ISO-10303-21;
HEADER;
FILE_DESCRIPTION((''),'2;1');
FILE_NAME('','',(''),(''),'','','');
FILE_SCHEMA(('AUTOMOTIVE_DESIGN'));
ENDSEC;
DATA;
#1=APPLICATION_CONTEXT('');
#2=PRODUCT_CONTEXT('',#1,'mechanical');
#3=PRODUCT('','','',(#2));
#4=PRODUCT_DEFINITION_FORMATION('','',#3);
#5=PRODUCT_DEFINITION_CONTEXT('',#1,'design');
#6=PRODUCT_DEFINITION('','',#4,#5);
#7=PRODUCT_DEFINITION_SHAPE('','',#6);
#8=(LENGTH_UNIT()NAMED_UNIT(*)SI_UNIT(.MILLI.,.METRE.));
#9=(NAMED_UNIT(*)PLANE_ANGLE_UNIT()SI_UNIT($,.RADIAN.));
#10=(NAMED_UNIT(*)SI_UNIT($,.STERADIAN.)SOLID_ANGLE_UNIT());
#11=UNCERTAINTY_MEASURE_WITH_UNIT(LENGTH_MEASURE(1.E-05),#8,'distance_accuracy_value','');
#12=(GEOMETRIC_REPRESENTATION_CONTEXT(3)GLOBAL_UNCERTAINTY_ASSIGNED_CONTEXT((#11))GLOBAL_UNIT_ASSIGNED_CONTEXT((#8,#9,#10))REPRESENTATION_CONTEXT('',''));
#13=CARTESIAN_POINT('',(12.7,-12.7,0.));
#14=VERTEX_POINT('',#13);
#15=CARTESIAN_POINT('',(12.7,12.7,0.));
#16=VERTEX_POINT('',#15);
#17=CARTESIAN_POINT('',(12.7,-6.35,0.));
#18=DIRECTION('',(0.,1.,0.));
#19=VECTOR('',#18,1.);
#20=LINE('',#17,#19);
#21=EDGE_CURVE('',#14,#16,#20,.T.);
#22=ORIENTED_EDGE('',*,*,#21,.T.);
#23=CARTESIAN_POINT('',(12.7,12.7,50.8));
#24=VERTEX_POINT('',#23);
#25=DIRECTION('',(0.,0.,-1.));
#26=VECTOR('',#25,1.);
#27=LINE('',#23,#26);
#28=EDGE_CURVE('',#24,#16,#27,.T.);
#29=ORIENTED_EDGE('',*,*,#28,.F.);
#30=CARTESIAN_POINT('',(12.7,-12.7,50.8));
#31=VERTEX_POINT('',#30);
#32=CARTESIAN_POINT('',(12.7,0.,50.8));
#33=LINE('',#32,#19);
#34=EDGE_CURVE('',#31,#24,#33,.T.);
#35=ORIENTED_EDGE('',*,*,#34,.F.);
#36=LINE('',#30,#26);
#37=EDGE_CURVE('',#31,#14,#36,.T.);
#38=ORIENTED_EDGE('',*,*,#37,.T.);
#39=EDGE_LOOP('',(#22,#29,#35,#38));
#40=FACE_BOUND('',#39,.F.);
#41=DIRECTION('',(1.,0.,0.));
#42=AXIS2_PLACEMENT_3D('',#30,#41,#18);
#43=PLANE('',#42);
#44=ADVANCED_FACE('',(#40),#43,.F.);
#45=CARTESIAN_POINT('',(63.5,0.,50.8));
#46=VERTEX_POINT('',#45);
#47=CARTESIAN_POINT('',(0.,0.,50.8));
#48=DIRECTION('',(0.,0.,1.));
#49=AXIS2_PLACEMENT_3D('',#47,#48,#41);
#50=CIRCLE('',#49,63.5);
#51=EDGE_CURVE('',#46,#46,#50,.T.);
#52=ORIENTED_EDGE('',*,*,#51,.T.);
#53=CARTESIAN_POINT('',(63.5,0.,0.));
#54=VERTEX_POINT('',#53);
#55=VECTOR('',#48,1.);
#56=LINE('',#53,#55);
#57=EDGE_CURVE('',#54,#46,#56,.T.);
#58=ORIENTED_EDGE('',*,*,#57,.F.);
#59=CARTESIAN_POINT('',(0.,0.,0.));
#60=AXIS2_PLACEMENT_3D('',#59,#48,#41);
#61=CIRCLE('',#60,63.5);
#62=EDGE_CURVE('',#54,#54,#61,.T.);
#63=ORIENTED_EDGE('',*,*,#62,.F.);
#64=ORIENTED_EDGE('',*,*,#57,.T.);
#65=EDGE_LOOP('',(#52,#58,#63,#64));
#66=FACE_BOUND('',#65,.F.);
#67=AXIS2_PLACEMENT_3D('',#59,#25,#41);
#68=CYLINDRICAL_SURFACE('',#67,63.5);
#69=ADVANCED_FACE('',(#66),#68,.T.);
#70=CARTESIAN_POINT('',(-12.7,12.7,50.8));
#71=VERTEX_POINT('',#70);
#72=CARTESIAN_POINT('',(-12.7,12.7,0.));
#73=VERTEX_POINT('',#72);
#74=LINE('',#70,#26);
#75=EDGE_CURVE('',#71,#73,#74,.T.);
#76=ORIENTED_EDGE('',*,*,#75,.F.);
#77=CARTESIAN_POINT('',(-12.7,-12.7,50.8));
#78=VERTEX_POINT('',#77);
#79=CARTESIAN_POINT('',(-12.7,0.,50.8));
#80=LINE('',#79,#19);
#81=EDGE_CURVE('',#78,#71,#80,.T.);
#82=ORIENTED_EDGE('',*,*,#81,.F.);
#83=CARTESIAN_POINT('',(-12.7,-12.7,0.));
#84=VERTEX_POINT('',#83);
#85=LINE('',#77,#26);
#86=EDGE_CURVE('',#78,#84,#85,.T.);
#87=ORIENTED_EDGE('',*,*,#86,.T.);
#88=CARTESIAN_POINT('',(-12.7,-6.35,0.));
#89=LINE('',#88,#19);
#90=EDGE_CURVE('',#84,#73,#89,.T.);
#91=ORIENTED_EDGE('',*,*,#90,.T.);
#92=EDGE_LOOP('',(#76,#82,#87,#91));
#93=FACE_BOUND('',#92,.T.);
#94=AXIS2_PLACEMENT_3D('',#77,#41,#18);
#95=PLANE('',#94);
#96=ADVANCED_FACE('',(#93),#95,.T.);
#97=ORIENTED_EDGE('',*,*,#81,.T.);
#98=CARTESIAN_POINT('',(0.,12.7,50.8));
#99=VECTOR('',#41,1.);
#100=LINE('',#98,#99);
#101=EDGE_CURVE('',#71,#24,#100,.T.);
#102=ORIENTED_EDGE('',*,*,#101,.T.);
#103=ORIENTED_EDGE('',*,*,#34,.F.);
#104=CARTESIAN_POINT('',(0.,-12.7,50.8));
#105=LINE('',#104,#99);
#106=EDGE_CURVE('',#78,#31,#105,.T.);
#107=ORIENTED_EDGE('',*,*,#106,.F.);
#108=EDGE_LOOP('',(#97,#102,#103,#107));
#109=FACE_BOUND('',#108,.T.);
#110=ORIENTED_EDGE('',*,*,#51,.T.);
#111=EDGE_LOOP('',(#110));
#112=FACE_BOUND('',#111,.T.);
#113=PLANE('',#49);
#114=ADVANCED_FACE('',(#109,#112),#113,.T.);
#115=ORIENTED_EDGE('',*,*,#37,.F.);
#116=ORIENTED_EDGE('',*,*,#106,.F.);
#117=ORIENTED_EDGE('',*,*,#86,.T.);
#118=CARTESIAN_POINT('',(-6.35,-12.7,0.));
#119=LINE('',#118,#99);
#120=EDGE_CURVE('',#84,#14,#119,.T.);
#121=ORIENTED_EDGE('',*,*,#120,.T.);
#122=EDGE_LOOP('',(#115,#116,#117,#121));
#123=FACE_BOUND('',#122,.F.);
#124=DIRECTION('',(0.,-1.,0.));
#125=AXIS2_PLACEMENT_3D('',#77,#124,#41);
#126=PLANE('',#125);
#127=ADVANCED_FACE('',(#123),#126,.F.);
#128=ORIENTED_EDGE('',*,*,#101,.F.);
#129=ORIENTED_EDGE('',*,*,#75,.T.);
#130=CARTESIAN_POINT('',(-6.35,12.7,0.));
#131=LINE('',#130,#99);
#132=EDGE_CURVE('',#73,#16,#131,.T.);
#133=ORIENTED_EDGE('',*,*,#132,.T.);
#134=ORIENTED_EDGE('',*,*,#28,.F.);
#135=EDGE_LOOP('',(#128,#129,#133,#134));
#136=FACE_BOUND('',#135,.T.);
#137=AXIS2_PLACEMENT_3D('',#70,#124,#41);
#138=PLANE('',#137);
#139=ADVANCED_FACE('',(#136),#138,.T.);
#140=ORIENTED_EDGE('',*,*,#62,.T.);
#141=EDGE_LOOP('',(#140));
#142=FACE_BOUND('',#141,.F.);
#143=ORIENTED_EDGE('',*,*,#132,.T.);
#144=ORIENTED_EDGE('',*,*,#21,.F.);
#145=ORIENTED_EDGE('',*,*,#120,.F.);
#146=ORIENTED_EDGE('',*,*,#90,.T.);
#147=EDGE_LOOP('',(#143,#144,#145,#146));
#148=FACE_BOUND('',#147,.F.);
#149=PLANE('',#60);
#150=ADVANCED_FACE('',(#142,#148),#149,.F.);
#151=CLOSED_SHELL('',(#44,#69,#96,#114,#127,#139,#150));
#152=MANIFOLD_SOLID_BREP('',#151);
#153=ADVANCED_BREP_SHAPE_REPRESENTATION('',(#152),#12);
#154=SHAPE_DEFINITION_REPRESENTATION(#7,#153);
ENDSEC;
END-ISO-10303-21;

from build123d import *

# Parameters (mm, degrees)
F0_R     = 63.5
F1_DEPTH = 50.8
F2_W     = 25.4
F2_H     = 25.4
F3_DEPTH = 50.801


with BuildPart() as f1:
    # F0 (on Top) → F1 (new body)
    with BuildSketch(Plane.XY):
        Circle(F0_R)
    extrude(amount=F1_DEPTH)

    # F2 (on face) → F3 (cut, through all)
    with BuildSketch(Plane.XY.offset(50.8)):
        Rectangle(F2_W, F2_H)
    extrude(amount=-F3_DEPTH, mode=Mode.SUBTRACT)


solid = f1.part
